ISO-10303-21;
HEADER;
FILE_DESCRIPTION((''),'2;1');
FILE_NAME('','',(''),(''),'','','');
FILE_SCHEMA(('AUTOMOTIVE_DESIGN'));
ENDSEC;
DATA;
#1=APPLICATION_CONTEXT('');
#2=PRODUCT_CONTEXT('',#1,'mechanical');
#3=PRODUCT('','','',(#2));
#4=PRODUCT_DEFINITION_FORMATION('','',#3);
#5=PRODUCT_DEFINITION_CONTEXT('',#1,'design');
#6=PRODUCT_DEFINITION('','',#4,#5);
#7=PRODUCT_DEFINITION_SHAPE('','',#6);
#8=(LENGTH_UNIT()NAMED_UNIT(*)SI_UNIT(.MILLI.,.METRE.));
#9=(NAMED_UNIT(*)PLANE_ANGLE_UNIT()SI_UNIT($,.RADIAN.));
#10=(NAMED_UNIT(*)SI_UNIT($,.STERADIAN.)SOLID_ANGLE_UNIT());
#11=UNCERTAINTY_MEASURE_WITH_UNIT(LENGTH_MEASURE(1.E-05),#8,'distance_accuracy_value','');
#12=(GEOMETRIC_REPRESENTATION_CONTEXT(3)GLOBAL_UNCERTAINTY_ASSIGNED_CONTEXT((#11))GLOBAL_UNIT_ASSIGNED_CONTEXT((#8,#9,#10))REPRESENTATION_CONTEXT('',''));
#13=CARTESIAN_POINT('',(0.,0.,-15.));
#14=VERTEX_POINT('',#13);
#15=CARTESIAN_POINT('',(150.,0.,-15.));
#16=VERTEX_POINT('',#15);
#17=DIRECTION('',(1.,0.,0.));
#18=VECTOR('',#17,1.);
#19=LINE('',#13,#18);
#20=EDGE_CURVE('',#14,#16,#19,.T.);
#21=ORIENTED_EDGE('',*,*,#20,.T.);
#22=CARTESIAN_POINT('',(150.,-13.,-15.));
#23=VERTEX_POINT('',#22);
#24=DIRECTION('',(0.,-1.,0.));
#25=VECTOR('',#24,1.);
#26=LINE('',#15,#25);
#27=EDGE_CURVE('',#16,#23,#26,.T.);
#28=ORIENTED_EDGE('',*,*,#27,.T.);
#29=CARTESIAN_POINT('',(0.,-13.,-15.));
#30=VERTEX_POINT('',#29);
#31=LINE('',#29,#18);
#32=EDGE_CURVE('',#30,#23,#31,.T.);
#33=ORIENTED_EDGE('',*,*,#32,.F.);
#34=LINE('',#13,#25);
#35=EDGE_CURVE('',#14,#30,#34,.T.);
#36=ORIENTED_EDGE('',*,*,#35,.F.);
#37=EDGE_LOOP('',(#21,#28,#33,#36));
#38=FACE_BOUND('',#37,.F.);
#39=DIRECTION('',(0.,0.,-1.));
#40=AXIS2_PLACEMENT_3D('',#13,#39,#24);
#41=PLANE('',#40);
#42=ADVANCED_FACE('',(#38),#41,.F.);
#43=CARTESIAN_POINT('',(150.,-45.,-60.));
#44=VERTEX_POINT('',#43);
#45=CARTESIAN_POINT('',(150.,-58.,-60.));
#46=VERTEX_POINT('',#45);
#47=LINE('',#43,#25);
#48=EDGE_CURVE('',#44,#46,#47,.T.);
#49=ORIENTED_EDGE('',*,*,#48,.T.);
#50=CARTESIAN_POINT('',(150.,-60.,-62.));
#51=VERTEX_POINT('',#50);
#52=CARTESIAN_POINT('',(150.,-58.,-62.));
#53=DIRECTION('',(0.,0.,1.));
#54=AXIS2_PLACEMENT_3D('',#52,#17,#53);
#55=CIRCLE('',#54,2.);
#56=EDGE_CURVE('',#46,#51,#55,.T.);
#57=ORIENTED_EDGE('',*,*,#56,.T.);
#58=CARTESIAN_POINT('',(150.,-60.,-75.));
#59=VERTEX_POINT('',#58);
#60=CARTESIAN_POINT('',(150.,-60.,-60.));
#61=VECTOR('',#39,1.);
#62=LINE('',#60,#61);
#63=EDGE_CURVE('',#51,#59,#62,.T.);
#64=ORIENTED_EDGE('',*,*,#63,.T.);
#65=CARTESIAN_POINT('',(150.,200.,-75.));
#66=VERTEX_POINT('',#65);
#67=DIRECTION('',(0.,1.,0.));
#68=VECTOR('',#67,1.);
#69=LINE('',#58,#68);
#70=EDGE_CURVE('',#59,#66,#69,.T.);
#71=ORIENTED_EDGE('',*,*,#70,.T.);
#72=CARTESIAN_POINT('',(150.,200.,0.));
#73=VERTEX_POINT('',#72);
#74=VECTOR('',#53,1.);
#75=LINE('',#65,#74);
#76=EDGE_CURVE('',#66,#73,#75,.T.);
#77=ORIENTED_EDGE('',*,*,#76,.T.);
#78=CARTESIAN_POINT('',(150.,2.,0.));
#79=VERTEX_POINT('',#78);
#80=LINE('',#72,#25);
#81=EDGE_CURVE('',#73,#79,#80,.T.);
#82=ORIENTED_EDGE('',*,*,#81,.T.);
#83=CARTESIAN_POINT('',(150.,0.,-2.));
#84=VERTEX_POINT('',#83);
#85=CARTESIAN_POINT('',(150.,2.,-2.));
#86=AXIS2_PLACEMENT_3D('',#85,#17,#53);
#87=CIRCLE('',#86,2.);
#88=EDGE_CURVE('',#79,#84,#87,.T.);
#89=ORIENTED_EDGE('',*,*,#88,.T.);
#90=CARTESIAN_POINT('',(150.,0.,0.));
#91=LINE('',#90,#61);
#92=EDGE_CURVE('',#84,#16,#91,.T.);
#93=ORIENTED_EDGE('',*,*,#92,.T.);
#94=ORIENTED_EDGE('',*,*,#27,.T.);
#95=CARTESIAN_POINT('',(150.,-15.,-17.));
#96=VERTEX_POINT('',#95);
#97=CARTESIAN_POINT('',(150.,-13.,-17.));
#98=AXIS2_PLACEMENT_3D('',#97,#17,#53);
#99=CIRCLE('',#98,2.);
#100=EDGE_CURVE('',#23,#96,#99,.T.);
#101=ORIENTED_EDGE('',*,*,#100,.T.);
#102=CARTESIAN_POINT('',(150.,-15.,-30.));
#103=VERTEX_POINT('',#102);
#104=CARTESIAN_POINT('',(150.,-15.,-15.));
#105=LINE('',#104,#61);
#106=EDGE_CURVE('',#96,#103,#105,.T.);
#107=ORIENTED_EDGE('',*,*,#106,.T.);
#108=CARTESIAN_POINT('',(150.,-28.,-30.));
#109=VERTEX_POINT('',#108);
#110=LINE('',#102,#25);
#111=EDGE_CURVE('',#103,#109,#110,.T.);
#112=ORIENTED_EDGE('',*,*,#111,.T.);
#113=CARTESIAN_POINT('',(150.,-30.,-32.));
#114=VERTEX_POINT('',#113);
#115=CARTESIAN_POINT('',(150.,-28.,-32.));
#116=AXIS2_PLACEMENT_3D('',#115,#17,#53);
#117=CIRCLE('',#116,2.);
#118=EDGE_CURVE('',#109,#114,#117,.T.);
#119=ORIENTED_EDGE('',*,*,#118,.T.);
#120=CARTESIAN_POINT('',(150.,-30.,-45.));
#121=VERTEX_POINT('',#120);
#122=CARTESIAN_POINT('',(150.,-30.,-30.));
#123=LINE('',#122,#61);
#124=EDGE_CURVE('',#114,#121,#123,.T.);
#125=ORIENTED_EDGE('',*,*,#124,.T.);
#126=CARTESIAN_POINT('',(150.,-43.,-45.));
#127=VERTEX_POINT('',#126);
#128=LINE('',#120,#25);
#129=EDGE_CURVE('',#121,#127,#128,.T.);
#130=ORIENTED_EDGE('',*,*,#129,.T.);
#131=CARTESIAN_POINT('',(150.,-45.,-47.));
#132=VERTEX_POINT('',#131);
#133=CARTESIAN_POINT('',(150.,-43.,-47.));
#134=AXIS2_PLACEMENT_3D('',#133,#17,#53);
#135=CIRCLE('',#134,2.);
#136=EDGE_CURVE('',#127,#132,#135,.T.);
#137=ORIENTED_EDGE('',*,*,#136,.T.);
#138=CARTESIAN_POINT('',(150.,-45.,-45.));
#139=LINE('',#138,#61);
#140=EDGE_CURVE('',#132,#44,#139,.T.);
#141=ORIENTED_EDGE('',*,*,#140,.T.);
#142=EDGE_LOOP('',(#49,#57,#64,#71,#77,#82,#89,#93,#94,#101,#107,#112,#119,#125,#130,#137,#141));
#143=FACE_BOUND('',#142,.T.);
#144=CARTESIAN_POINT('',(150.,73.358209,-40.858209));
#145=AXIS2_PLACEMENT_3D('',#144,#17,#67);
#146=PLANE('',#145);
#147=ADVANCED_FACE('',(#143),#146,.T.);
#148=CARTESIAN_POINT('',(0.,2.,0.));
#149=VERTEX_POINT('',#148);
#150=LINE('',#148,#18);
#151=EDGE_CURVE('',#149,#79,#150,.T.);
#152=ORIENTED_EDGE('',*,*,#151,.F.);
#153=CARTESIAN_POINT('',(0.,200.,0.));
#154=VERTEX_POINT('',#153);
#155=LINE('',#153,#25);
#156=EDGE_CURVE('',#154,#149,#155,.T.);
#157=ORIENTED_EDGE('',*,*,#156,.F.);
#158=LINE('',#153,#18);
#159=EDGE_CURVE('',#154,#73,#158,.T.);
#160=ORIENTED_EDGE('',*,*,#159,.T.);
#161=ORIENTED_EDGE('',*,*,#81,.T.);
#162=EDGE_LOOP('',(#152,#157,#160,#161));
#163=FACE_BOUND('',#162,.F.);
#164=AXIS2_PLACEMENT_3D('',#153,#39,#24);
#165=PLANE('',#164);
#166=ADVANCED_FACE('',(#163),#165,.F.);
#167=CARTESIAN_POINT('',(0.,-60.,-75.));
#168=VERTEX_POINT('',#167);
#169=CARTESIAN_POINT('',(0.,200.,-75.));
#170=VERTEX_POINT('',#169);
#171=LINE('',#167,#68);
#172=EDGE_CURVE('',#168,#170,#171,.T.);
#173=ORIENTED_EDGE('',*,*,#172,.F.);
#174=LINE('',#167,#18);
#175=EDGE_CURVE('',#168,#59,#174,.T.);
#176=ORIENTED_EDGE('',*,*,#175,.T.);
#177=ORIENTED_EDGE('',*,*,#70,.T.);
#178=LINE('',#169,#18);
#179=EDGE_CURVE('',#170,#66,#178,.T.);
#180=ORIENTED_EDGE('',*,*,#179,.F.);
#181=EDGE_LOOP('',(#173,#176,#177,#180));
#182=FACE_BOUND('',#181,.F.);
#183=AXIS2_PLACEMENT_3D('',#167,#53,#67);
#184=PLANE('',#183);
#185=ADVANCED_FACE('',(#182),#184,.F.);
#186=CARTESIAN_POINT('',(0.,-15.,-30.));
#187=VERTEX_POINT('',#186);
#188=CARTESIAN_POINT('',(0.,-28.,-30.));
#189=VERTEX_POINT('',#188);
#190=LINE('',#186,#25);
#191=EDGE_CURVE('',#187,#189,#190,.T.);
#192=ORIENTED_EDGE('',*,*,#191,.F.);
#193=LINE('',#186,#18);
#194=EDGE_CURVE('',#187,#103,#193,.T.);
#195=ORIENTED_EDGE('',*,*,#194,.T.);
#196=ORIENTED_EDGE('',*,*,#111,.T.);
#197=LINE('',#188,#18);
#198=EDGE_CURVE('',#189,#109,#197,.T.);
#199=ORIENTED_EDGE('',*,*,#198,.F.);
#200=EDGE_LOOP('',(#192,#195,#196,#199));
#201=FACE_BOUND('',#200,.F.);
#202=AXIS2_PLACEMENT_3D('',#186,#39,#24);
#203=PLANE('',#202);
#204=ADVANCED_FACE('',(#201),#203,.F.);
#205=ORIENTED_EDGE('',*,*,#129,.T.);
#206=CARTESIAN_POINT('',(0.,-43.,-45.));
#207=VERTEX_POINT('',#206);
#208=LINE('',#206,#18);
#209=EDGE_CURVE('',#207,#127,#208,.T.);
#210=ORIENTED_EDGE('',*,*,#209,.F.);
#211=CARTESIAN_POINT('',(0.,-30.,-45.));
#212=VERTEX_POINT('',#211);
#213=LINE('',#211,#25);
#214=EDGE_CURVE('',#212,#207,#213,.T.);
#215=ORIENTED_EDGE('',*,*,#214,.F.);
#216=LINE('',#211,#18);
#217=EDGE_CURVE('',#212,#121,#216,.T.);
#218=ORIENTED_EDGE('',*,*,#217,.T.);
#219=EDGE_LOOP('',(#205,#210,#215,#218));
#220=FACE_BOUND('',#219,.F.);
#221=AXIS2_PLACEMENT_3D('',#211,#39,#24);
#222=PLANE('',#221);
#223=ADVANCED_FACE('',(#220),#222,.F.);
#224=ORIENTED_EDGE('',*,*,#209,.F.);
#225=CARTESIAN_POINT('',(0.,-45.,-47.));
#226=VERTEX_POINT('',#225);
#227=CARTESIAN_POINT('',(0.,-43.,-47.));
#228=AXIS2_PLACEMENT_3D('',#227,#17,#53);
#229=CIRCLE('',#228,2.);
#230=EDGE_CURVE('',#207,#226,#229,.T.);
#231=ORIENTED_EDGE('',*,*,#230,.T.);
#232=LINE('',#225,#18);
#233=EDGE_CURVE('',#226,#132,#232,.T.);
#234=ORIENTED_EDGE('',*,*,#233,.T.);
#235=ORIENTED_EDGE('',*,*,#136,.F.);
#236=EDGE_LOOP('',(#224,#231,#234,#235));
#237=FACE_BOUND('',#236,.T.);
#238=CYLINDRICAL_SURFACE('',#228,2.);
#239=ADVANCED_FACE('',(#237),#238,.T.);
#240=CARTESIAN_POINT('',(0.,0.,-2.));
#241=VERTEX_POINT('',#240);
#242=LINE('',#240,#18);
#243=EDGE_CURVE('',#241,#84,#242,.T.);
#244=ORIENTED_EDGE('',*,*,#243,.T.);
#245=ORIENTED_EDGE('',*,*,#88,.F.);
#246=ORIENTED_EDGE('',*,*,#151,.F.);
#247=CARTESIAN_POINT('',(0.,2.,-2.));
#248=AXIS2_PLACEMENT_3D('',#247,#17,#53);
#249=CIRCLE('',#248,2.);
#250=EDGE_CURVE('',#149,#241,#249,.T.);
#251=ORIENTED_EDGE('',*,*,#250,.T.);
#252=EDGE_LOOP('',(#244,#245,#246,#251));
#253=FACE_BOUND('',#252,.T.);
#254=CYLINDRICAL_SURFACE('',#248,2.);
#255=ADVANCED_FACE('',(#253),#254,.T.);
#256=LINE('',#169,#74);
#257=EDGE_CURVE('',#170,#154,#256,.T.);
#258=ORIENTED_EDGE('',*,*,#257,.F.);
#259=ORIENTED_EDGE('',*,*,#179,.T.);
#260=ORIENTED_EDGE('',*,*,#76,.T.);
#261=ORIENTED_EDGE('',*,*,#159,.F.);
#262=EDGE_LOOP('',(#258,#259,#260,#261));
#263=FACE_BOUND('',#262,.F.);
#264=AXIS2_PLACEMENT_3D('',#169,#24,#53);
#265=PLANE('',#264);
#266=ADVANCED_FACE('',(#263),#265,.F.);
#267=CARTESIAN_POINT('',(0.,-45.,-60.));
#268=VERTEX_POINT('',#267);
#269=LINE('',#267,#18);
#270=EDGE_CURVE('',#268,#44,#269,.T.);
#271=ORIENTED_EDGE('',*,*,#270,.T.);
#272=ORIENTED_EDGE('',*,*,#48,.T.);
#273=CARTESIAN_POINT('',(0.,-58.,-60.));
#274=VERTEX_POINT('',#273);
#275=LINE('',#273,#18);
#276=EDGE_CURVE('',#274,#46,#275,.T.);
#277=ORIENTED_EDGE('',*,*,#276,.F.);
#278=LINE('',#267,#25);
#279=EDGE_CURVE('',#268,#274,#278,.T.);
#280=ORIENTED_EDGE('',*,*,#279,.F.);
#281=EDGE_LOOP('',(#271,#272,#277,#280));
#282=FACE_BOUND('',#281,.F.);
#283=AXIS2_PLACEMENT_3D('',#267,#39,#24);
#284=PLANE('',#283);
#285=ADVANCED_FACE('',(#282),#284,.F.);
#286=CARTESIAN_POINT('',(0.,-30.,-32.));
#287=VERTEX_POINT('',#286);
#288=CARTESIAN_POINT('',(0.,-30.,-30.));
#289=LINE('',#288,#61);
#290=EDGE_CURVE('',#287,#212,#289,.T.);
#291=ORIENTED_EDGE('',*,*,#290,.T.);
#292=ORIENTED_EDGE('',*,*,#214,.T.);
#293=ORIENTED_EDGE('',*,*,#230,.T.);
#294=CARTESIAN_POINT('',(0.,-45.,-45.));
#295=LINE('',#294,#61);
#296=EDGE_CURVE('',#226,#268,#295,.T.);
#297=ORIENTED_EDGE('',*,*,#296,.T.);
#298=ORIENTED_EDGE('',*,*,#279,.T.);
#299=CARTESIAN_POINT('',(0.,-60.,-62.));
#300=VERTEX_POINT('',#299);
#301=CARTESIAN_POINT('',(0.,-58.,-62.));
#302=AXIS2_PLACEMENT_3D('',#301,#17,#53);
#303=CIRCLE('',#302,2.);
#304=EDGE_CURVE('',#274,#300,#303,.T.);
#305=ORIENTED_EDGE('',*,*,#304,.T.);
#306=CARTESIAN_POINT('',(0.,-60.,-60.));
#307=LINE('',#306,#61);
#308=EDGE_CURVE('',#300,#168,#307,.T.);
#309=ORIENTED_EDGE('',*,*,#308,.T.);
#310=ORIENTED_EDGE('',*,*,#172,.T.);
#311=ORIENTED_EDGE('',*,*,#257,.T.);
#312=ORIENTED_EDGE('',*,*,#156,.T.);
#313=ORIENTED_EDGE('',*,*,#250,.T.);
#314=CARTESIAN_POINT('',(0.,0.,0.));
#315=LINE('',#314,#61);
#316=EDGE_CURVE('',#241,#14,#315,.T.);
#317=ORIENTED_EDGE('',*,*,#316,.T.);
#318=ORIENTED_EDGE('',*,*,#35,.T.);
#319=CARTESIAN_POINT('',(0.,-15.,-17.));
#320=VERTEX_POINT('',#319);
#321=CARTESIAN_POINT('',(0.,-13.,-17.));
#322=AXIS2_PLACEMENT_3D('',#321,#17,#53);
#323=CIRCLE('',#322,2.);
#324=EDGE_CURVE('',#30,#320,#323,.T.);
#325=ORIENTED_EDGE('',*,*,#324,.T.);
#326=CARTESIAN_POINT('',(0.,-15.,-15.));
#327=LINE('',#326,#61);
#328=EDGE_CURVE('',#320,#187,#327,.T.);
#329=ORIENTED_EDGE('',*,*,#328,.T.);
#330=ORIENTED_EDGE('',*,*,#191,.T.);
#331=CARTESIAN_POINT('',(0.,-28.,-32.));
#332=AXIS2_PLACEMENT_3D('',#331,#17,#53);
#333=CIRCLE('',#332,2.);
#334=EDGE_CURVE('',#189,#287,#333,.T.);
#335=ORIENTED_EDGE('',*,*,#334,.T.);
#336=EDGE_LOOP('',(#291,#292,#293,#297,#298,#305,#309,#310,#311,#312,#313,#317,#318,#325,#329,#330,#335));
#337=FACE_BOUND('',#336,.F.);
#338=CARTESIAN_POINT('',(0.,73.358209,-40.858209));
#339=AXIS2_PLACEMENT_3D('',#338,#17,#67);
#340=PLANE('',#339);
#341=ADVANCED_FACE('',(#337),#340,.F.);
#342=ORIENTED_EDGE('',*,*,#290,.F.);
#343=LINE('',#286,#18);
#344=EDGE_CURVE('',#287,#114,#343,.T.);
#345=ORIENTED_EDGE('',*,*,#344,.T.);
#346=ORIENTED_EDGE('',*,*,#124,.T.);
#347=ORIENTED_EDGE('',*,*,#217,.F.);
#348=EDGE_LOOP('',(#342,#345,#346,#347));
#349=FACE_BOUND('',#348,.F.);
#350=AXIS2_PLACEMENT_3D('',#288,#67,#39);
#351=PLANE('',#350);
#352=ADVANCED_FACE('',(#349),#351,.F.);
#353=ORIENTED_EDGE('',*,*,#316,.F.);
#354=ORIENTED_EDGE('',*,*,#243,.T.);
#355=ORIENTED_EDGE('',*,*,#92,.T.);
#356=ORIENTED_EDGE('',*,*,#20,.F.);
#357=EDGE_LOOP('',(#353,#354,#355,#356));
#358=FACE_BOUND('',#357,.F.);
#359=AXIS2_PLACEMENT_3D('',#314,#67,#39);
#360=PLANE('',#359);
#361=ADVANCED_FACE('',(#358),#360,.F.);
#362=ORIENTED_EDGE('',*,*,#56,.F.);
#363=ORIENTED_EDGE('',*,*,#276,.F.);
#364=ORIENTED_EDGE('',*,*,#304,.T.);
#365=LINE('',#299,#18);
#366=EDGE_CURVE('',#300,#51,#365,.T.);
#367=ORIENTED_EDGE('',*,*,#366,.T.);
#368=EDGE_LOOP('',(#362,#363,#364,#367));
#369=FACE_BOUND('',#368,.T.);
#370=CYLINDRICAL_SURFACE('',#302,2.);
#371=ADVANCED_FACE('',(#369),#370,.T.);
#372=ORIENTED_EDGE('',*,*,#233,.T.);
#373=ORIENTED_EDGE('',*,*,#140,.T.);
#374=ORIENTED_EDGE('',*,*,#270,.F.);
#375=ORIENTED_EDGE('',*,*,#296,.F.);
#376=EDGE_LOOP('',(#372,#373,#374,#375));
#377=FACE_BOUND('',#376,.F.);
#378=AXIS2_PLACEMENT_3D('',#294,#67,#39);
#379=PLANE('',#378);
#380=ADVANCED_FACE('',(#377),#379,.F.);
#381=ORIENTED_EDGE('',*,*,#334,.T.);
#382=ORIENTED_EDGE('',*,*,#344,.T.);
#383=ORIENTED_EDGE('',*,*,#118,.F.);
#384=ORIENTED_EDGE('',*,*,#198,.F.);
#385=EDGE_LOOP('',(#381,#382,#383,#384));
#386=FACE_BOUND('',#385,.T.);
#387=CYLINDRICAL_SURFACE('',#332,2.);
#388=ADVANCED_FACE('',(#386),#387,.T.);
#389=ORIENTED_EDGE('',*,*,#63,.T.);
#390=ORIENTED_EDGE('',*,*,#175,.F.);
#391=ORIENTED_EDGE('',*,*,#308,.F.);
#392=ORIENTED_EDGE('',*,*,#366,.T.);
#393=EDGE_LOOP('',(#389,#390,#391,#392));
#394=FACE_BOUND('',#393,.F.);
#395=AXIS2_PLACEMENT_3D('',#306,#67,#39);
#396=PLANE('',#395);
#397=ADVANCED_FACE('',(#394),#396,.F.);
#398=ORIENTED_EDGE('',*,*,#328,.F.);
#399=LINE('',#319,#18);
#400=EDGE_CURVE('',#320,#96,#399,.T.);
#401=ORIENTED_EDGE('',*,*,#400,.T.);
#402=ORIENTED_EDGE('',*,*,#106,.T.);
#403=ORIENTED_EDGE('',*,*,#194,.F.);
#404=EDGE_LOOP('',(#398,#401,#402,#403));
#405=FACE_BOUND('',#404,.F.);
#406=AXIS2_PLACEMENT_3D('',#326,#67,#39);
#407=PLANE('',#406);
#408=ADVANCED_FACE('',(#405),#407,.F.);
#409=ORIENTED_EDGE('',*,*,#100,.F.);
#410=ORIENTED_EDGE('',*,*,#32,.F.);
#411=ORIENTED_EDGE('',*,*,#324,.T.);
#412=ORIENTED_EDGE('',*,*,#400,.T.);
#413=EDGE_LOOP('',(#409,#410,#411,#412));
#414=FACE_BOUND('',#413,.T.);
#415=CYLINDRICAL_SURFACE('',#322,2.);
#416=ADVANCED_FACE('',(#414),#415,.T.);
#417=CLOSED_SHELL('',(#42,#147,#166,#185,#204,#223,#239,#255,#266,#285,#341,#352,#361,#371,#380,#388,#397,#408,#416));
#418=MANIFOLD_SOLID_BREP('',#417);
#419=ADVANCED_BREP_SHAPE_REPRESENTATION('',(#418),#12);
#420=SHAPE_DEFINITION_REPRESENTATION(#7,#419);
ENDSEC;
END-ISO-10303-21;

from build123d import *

# Parameters (mm, degrees)
F1_DEPTH = 150
F2_R     = 2


with BuildPart() as f1:
    # F0 (on Right) → F1 (new body)
    with BuildSketch(Plane.YZ):
        Polygon((200, 0), (0, 0), (0, -15), (-15, -15), (-15, -30), (-30, -30), (-30, -45), (-45, -45), (-45, -60), (-60, -60), (-60, -75), (200, -75), align=None)
    extrude(amount=F1_DEPTH)

    # F2
    f2_edges = [f1.edges().sort_by_distance(p)[0] for p in [
        (75, -15, -15),
        (75, 0, 0),
        (75, -30, -30),
        (75, -45, -45),
        (75, -60, -60),
    ]]
    fillet(f2_edges, radius=F2_R)


solid = f1.part
